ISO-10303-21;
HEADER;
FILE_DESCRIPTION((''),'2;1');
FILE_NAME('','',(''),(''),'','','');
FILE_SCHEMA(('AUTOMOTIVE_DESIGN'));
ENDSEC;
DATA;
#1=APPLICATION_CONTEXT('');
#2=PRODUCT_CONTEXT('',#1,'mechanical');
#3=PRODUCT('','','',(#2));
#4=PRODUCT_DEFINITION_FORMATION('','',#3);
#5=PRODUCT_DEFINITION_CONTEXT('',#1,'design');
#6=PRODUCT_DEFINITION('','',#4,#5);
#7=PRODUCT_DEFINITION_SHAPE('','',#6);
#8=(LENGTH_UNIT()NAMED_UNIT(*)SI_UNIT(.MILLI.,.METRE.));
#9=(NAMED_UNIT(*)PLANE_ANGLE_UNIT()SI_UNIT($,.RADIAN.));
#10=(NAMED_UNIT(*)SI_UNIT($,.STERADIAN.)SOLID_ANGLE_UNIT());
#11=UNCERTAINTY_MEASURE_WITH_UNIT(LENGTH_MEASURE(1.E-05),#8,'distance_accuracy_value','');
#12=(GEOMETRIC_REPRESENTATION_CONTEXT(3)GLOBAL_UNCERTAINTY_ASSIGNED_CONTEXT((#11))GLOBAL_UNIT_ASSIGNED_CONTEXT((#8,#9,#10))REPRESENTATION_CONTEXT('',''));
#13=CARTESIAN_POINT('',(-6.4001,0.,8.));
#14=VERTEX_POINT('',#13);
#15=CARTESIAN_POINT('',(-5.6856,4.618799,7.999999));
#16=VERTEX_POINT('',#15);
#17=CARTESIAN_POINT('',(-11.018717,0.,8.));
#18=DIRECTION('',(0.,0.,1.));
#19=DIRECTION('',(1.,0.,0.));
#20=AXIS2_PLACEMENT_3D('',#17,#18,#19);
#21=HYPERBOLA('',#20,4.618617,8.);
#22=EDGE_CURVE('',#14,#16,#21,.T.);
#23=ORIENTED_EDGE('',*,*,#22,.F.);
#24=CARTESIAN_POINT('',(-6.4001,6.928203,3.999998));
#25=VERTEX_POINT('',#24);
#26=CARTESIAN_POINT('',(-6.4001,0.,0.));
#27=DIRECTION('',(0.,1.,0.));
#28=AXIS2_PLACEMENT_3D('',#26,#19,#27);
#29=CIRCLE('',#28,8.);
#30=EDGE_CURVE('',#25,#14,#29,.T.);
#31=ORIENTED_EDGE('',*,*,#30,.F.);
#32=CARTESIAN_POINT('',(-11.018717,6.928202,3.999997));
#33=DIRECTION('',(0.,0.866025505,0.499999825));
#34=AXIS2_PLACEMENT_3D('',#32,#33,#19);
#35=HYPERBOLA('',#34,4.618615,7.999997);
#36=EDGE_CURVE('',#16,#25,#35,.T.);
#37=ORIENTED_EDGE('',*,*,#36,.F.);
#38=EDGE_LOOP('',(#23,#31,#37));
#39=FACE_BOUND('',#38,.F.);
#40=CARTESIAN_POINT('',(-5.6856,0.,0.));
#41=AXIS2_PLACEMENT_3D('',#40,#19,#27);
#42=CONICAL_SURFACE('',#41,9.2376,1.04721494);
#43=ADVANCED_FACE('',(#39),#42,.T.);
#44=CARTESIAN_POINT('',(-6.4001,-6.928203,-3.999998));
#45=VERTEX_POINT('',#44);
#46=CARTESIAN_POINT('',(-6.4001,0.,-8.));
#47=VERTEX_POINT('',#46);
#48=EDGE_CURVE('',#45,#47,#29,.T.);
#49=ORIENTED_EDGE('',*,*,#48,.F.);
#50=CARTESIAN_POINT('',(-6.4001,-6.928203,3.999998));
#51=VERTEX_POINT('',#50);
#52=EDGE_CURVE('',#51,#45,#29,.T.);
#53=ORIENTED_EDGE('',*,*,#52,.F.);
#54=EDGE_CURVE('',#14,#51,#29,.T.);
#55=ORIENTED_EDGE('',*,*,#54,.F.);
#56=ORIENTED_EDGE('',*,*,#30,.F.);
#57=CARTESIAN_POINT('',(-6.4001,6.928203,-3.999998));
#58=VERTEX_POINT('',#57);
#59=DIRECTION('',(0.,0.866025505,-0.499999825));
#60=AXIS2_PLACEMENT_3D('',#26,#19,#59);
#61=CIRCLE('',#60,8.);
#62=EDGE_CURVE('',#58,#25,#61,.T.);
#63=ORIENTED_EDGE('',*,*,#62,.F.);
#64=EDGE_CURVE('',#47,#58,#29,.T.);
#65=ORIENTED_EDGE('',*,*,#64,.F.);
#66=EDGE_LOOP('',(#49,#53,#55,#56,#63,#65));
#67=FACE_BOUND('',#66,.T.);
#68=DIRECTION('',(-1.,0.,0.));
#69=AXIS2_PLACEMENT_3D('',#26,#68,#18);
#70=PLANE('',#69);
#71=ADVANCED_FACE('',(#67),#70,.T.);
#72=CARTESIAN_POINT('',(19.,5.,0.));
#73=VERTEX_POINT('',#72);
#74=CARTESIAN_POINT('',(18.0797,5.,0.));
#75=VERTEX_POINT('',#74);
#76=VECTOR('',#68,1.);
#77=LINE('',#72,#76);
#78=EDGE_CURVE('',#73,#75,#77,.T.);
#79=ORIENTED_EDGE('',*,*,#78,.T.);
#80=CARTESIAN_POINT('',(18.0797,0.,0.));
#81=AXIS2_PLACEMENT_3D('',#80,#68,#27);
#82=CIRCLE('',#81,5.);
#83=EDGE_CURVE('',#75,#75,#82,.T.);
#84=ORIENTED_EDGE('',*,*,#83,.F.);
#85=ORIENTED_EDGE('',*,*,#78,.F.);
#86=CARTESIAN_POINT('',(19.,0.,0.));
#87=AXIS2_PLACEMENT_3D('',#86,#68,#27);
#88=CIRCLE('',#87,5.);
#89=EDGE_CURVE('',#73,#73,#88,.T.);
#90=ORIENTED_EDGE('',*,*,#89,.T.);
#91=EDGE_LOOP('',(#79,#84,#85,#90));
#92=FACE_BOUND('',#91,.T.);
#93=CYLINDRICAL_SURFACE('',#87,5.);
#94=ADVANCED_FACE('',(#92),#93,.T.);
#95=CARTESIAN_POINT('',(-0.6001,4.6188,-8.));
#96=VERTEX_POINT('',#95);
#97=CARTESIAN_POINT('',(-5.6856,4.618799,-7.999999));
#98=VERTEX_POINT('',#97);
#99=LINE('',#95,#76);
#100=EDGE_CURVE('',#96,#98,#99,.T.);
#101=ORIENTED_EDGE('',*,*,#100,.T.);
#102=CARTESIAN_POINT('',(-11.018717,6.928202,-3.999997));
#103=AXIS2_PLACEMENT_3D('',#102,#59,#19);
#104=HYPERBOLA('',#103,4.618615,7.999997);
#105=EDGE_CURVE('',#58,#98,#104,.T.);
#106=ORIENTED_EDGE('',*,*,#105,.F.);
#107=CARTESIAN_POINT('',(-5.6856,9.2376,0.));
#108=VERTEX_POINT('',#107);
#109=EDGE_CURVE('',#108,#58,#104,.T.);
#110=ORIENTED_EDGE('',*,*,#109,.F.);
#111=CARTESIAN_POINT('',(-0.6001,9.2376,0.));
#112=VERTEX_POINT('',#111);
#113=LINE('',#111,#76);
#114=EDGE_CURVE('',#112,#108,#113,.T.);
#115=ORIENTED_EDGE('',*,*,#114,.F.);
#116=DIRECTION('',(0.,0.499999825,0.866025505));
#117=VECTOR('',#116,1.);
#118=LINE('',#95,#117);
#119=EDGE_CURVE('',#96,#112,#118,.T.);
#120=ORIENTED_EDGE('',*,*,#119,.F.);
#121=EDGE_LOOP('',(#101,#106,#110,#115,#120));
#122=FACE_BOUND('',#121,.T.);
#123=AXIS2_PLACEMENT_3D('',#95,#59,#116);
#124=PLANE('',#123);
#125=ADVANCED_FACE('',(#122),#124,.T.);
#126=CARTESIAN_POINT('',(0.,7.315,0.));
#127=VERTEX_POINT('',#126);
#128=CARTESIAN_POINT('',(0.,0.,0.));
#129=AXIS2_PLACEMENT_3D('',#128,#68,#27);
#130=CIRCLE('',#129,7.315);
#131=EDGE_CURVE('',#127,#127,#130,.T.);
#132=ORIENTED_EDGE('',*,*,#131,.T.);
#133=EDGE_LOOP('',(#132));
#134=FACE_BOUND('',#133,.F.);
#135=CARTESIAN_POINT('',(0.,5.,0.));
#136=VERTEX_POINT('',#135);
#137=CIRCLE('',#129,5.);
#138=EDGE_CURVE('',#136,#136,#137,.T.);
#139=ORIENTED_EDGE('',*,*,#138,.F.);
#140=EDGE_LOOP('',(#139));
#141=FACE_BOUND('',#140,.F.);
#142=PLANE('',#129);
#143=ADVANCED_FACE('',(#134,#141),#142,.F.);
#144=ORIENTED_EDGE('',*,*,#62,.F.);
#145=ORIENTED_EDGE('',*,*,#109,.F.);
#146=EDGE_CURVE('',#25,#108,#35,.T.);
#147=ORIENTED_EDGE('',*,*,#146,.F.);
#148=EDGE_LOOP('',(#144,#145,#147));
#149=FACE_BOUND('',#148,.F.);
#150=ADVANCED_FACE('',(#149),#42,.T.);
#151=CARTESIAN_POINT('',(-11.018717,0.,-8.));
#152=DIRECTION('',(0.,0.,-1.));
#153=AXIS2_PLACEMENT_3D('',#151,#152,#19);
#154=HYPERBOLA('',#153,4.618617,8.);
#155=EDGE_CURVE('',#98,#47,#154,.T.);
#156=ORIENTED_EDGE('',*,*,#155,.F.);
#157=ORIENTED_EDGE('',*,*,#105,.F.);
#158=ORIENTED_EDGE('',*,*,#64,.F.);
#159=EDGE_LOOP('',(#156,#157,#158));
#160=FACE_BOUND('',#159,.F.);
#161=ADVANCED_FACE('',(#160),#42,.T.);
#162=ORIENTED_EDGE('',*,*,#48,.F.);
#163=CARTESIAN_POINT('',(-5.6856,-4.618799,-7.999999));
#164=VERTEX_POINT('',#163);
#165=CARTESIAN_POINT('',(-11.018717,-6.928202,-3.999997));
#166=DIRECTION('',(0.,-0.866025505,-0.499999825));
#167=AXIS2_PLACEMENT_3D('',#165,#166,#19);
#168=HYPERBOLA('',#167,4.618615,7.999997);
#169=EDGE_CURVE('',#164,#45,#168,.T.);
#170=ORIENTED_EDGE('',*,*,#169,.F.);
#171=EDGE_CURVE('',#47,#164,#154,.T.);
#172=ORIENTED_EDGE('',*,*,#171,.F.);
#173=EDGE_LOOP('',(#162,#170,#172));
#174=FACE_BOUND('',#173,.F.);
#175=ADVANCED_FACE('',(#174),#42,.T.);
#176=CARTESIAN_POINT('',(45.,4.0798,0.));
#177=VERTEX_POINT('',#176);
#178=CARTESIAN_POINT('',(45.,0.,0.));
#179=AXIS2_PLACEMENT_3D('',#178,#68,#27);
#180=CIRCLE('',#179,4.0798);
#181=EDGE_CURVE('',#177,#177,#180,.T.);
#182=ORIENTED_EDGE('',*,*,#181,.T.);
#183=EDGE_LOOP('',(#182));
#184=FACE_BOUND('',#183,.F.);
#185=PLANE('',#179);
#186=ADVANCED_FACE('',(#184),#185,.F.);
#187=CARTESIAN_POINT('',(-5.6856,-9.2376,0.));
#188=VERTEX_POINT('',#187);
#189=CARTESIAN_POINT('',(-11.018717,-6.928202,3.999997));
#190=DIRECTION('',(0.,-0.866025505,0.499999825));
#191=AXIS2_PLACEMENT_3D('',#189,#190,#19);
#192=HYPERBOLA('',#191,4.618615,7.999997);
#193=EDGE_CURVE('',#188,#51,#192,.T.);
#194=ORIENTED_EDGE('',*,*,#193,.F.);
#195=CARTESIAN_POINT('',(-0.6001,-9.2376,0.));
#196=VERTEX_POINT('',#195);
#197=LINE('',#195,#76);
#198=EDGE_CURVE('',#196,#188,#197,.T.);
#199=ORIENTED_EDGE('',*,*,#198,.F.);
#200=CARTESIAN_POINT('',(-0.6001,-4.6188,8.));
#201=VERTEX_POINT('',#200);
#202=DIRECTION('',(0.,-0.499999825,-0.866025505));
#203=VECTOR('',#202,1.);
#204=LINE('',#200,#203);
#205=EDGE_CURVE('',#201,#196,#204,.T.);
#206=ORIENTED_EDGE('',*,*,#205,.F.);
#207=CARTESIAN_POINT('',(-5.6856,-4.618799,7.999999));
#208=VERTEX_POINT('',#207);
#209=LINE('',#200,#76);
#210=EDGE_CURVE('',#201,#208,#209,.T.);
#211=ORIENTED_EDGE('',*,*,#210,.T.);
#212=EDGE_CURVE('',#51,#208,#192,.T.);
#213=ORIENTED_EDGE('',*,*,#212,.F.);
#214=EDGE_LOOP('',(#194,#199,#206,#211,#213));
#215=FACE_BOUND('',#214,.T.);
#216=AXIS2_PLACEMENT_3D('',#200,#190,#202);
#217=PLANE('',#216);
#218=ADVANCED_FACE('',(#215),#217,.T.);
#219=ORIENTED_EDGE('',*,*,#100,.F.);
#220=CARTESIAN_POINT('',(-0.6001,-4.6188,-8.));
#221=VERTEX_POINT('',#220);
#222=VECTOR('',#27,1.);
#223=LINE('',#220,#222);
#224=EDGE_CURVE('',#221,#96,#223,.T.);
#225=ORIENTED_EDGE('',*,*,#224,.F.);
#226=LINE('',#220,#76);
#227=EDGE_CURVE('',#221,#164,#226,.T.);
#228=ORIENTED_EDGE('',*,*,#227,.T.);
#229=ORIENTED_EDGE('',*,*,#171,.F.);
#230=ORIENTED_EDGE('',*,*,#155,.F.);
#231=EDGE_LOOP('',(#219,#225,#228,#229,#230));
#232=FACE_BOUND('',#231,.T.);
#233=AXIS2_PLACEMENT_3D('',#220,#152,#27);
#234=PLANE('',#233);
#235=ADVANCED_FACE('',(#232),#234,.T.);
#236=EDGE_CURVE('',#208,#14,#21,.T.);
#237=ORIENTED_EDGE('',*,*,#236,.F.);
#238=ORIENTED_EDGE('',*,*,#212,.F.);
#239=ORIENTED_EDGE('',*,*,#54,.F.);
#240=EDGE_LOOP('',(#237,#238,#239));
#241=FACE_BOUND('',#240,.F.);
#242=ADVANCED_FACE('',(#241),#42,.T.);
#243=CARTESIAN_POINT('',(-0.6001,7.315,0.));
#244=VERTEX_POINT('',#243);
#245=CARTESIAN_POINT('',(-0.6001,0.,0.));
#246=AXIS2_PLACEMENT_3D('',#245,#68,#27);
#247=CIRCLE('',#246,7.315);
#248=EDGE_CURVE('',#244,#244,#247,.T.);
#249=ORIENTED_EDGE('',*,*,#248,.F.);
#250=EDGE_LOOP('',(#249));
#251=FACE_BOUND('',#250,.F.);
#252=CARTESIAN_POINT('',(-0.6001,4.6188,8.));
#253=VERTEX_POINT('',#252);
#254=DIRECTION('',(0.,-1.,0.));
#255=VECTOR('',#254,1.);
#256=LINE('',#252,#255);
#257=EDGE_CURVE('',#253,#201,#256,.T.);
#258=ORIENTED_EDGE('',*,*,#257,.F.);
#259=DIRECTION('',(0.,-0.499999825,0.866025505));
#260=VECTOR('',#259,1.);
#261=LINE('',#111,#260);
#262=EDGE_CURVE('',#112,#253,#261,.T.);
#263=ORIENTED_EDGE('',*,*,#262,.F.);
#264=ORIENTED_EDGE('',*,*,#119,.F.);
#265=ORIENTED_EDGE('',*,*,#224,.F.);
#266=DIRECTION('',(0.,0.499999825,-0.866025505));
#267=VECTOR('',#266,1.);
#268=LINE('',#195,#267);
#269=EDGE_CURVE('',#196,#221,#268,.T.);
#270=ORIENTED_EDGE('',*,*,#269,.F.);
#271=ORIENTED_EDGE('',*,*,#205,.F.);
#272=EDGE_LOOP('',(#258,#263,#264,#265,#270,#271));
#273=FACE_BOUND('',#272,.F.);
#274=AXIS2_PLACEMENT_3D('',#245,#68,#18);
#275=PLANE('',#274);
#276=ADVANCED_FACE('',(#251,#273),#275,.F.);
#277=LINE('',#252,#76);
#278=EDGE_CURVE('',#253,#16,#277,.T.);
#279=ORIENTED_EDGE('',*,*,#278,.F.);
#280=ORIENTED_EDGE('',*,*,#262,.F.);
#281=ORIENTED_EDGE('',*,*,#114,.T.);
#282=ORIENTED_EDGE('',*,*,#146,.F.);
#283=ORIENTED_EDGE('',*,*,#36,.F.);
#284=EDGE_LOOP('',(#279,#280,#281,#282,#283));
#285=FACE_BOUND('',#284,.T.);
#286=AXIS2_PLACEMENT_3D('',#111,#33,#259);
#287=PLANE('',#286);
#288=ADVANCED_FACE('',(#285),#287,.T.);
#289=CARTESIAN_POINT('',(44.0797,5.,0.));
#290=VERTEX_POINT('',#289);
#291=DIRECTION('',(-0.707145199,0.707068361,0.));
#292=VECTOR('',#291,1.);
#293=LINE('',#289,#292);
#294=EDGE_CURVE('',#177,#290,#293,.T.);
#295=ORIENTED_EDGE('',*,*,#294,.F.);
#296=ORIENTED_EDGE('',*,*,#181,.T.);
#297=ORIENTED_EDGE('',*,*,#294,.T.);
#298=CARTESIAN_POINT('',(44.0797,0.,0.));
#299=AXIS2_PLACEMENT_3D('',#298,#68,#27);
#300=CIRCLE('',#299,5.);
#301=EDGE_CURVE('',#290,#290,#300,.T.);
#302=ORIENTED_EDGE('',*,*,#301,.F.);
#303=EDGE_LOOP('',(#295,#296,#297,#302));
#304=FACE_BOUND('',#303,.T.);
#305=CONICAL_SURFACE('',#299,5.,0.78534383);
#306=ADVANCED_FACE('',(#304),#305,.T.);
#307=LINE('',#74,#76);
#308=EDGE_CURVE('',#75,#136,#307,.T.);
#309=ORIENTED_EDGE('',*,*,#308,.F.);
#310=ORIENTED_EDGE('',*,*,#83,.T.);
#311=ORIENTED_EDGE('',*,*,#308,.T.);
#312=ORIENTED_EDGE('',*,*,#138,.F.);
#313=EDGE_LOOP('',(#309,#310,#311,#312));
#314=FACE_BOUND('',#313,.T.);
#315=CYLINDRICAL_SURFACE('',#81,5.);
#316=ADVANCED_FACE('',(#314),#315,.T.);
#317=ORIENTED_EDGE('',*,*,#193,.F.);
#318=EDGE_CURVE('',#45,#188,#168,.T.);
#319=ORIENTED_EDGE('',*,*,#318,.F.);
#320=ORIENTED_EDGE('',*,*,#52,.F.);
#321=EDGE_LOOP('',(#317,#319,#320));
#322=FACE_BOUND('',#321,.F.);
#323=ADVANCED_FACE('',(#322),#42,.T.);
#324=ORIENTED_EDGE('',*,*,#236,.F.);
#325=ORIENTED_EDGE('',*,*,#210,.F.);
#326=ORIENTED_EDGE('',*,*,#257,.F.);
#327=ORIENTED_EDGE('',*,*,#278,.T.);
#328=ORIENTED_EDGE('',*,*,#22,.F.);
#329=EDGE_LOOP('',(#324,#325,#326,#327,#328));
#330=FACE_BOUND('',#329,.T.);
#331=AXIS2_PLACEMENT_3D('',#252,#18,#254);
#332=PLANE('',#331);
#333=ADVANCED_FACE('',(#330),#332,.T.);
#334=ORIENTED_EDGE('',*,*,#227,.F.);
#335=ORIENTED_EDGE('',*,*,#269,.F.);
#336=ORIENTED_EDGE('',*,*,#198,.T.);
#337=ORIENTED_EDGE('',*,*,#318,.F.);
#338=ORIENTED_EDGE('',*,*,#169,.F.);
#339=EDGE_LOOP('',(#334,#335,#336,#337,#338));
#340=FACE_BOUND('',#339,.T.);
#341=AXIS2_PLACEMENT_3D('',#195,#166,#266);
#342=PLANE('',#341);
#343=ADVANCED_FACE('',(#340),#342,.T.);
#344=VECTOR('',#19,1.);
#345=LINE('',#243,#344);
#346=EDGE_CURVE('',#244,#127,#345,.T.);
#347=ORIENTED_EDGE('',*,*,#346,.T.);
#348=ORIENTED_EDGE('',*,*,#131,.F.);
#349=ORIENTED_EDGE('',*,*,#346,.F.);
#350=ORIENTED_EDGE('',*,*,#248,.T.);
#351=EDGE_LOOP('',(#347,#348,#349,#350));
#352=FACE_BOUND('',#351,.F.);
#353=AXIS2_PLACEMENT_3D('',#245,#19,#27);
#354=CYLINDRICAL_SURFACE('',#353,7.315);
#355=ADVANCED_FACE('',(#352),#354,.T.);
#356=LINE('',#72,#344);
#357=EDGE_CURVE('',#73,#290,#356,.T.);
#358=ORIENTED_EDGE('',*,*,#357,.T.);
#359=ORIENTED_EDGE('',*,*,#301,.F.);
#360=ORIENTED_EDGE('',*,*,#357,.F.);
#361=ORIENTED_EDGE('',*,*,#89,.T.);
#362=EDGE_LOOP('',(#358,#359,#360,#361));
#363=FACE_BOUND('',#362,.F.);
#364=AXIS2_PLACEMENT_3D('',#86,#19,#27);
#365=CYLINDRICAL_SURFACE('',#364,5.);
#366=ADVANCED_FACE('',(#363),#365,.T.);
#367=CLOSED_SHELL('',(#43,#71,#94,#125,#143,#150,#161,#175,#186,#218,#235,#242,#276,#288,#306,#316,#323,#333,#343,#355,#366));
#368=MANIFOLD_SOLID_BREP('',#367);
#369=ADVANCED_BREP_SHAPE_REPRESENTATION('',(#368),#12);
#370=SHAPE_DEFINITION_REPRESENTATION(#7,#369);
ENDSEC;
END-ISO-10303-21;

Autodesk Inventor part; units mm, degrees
ref_plane "YZ Plane" through (0, 0, 0) normal (1, 0, 0) x (0, 1, 0)
ref_plane "XZ Plane" through (0, 0, 0) normal (0, 1, 0) x (-1, 0, 0)
sketch "Sketch1" plane through (0, 0, 0) normal (0, 0, 1) x (1, 0, 0)
  line L0 (0, 7.315) -> (0, 5)
  line L1 (19, 5) -> (45, 5)
  line L2 (45, 5) -> (45, 0)
  line L3 (45, 0) -> (-0.6001, 0)
  line L4 (-9.7201, 0) -> (54.12, 0) projected
  line L5 (-0.6001, 0) -> (-0.6001, 7.315)
  line L6 (-0.6001, 7.315) -> (0, 7.315)
  line L7 (19, 5) -> (18.0797, 5)
  line L8 (18.0797, 5) -> (0, 5)
  line L9 (0, -1.463) -> (0, 8.778) projected
  dimension "d0" = 45
  dimension "d1" = 26
  dimension "d2" = 10
  dimension "d9" = 0.6001
  dimension "d10" = 14.63
  dimension "d13" = 0.9203
  dimension "d14" = 10
revolve "Body" add sketch "Sketch1" angle 360 about axis through (45, 0, 0) along (-1, 0, 0)
sketch "Sketch2" plane through (-0.6001, 0, 0) normal (-1, 0, 0) x (0, 0, 1)
  line L0 (0, 9.2376) -> (8, 4.6188)
  line L1 (8, 4.6188) -> (8, -4.6188)
  line L2 (8, -4.6188) -> (0, -9.2376)
  line L3 (0, -9.2376) -> (-8, -4.6188)
  line L4 (-8, -4.6188) -> (-8, 4.6188)
  line L5 (-8, 4.6188) -> (0, 9.2376)
  point P0 (0, 0)
  point P1 (0, 0)
  dimension "d11" = 16
extrude "Head" add sketch "Sketch2" along normal blind 5.8
sketch "Sketch4" plane through (0, 0, 0) normal (0, 0, 1) x (1, 0, 0)
  line L0 (-6.4001, 8) -> (-6.4001, 9.2376)
  line L1 (-6.4001, 9.2376) -> (-5.6856, 9.2376)
  line L2 (-5.6856, 9.2376) -> (-6.4001, 8)
  line L3 (-7.5601, 0) -> (0.5599, 0) projected
  line L4 (-0.6001, 9.2376) -> (-6.4001, 9.2376) projected
  line L5 (-6.4001, 4.6188) -> (-6.4001, 9.2376) projected
  dimension "d5" = 30
  dimension "d19" = 16
revolve "Chamfer1" cut sketch "Sketch4" angle 360 about axis through (-10, 0, 0) along (1, 0, 0)
thread "Thread" size "M10x1.5" class "6g" standard "ISO Metric profile" length 26
chamfer "Chamfer2" distance 0.9202 distance2 0.9203 1 edges at (45, -5, 0) measured on face at (45, 1.2281, 0.495)
ref_plane "Work Plane1" through (1.525, 0, 0) normal (0, 0, 1) x (1, 0, 0)
equation "\"d0\" = NLG"
equation "\"d1\" = GEL"
equation "\"d2\" = GD"
equation "\"d10\" = SD2"
equation "\"d14\" = BDM"
equation "\"d11\" = SW"
equation "\"d3\" = KOH - SD"
equation "\"d5\" = ANG1"
equation "\"d19\" = SW0"
equation "\"d15\" = GEL"
equation "\"d6\" = -0.5 * SPD + 0.5 * GD"
equation "\"NLG\" = 45"
equation "\"GD\" = NND"
equation "\"BDM\" = NND"
equation "\"KOH\" = 6.4"
equation "\"GEL\" = 26"
equation "\"SW\" = 16"
equation "\"SW0\" = SW"
equation "\"SPD\" = NND - 1.2269 * PTC"
equation "\"SD2\" = 14.63"
equation "\"SD\" = 0.6"
equation "\"ANG1\" = 30deg"
equation "\"GAL\" = 0.61345 * PTC"
equation "\"GUL\" = 0.61345 * PTC"
equation "\"RR\" = 0.4"
equation "\"GD1\" = THREADDIA - 1.2269 * PTC"
equation "\"SDH\" = SD2"
equation "\"TOA\" = 30deg"
equation "\"PTC\" = 1.5"
equation "\"E0\" = 1.155 * SW"
equation "\"NND\" = 10"
equation "\"THREADDIA\" = 10"
properties part number "ISO 4014 - M10 x 45" material "Stainless Steel, 440C"
